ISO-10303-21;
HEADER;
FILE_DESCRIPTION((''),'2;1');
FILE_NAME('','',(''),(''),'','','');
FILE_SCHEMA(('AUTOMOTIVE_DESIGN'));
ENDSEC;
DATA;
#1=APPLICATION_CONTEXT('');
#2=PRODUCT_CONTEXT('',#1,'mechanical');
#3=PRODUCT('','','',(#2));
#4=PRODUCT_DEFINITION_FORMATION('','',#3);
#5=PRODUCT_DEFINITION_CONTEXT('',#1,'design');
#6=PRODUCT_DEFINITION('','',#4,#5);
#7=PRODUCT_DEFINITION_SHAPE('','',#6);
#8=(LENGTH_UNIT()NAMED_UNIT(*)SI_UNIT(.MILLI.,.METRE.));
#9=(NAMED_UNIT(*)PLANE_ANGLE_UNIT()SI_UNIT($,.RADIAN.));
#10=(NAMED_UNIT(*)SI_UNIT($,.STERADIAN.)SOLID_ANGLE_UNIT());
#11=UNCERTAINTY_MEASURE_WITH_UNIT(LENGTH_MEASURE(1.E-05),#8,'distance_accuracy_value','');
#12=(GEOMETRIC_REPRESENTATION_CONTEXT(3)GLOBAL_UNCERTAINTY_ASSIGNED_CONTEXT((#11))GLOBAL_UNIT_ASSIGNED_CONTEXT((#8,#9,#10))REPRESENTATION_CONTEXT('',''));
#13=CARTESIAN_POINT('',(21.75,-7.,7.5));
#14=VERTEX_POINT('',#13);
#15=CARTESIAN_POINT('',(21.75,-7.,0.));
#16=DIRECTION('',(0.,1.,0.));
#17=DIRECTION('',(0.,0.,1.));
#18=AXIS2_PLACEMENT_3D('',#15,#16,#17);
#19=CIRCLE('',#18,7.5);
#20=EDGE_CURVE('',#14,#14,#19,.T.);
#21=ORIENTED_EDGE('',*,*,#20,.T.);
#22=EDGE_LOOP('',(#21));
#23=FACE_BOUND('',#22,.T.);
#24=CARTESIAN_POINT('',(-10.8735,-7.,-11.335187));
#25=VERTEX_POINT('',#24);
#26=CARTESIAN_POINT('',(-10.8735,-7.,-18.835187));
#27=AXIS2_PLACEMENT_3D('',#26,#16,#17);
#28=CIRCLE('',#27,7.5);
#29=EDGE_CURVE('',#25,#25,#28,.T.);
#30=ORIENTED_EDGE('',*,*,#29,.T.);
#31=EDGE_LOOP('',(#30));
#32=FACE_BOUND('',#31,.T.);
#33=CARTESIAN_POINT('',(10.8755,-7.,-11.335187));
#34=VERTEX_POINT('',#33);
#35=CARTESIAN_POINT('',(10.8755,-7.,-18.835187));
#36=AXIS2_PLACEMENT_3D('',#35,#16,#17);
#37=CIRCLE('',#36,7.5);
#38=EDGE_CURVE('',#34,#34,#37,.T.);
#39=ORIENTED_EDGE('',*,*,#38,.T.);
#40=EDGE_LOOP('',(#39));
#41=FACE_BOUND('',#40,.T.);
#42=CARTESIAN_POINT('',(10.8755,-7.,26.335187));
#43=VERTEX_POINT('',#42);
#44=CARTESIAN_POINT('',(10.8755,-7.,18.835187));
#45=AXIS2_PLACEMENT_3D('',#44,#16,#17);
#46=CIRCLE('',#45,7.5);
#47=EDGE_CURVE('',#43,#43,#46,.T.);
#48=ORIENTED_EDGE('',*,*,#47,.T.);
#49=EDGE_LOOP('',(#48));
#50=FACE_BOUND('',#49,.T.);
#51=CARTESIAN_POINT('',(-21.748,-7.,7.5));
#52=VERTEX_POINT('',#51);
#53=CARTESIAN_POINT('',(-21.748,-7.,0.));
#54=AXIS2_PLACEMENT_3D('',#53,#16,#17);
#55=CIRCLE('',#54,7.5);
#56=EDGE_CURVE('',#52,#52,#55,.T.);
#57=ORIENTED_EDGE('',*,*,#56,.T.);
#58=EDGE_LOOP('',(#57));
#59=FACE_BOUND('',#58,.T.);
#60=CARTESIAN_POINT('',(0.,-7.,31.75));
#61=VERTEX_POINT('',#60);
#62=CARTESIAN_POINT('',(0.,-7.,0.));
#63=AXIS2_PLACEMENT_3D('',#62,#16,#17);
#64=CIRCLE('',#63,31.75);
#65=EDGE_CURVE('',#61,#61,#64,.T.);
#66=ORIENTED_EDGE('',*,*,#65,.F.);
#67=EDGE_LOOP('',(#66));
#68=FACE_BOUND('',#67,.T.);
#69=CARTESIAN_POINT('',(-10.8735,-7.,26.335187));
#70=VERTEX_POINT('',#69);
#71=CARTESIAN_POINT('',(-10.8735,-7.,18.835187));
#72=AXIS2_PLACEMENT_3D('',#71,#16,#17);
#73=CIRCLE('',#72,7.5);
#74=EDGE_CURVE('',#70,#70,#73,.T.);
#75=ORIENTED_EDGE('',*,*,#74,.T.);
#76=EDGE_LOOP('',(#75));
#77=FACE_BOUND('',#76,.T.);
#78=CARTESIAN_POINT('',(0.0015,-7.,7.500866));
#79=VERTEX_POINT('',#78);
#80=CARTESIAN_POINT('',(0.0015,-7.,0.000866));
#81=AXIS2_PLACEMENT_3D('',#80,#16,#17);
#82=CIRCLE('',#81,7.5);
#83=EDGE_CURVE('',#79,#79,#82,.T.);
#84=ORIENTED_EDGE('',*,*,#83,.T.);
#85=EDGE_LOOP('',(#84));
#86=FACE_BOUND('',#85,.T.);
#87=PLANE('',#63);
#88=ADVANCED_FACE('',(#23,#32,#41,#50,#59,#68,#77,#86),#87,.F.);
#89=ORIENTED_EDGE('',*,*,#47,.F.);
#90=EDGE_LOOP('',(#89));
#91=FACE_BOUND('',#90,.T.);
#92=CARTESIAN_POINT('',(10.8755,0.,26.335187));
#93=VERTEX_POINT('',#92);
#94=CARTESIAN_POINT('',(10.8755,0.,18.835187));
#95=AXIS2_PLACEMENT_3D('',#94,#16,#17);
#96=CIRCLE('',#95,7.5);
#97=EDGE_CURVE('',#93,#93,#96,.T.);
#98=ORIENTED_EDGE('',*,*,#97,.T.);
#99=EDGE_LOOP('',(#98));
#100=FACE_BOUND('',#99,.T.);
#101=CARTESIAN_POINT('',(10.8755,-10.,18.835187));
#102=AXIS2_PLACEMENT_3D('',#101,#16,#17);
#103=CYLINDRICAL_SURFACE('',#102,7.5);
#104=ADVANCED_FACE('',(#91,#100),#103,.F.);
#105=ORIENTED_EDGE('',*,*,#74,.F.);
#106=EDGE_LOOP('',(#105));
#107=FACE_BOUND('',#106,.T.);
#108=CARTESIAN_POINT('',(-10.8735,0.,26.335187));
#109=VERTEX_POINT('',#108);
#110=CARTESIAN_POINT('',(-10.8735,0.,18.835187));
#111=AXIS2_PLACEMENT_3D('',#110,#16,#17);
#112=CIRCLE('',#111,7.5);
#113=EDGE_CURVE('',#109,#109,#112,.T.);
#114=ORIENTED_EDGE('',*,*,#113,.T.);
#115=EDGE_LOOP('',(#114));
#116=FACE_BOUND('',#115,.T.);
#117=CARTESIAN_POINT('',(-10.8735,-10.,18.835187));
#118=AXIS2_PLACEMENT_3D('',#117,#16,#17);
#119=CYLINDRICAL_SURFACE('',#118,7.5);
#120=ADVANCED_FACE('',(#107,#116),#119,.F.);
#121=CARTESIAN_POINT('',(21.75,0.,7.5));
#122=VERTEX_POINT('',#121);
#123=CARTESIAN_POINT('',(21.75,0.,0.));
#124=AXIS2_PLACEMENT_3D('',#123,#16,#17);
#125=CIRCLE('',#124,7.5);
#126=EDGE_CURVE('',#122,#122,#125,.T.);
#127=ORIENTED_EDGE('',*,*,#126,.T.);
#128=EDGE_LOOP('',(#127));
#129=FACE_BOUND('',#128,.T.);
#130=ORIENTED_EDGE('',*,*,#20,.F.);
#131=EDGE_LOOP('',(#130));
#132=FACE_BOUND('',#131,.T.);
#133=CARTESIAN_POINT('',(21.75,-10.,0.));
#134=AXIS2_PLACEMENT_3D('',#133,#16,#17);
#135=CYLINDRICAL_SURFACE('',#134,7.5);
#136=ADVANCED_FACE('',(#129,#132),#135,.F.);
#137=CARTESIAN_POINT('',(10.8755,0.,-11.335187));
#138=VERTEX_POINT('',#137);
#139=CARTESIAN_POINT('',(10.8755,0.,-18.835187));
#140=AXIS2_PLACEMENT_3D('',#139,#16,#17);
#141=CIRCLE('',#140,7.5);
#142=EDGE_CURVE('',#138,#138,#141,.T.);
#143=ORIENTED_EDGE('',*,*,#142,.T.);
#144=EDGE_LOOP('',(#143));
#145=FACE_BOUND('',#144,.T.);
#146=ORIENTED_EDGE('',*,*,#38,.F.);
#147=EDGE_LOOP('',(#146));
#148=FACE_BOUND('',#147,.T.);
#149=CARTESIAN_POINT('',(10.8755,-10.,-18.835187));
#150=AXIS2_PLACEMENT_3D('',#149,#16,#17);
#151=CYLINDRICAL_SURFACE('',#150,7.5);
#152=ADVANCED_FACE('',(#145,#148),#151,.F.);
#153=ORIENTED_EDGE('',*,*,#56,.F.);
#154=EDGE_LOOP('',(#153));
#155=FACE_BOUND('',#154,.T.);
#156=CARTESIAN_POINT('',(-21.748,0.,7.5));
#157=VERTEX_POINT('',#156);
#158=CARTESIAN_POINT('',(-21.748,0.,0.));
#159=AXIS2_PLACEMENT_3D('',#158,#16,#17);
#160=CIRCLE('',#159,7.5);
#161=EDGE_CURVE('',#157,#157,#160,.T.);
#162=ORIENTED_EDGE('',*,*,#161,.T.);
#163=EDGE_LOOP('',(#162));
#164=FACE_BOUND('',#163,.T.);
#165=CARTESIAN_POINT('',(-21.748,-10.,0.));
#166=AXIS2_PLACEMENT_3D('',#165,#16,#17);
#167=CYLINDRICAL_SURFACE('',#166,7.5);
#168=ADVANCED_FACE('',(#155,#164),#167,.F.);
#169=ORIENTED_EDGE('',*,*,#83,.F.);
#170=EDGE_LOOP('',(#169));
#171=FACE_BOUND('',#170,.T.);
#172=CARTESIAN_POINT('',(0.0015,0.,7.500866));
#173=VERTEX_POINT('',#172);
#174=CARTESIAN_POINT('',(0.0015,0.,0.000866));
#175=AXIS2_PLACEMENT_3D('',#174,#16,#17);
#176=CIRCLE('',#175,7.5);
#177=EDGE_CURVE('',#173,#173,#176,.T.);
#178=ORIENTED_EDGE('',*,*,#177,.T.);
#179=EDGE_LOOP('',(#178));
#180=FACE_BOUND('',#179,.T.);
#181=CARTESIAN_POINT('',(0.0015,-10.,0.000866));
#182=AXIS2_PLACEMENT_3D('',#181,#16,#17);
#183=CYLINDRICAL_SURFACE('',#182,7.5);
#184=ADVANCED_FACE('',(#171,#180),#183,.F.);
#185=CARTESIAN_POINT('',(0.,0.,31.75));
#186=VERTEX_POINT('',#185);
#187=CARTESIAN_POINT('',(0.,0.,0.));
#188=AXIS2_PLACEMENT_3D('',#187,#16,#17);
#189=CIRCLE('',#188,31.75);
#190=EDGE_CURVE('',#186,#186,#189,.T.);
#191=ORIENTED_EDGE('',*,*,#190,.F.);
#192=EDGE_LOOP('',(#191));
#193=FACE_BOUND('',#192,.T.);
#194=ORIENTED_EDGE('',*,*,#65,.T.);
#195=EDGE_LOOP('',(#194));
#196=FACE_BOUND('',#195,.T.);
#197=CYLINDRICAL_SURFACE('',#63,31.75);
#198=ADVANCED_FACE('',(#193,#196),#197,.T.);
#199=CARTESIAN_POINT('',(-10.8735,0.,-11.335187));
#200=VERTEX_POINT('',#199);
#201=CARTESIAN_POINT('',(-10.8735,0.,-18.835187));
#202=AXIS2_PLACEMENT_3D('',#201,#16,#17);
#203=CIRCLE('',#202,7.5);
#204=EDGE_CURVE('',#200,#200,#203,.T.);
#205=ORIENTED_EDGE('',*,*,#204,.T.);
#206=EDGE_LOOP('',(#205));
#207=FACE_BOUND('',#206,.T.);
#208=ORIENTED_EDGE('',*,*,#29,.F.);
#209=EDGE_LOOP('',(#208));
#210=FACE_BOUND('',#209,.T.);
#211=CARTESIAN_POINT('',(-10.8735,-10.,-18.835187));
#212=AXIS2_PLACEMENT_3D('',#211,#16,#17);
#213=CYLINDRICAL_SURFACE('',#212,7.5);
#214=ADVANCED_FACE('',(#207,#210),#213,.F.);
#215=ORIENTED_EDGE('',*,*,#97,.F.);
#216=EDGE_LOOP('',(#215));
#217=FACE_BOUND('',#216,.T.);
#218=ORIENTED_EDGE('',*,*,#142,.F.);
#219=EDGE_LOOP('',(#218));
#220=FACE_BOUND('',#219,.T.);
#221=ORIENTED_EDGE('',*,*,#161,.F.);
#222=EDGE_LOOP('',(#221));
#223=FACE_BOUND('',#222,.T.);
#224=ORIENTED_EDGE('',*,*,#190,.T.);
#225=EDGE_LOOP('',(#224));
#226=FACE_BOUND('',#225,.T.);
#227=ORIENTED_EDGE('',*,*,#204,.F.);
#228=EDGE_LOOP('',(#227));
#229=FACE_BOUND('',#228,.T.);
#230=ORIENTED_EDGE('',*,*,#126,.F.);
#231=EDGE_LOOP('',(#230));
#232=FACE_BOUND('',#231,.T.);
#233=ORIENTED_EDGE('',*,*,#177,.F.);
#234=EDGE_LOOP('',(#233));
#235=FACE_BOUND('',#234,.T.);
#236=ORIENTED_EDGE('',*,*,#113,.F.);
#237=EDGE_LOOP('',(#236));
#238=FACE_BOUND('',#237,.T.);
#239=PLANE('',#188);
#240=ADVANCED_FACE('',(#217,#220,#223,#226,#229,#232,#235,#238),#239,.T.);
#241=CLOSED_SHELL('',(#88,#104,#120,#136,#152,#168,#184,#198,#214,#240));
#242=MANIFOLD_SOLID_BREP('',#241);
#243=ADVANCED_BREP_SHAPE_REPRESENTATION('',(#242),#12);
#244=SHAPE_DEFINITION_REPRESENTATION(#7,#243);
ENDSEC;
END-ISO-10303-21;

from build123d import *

# Parameters (mm, degrees)
ESBO_O1_R                = 31.75
RESSALTO_EXTRUS_O1_DEPTH = 7
ESBO_O2_R                = 7.5
CORTE_EXTRUS_O1_DEPTH    = 10


with BuildPart() as part:
    # Esboço1 → Ressalto-extrusão1 (new body)
    with BuildSketch(Plane(origin=(0, 0, 0), x_dir=(1, 0, 0), z_dir=(0, 1, 0))):
        with Locations(Location((0, 0, 0), (0, 0, 270))):
            Circle(ESBO_O1_R)
    extrude(amount=-RESSALTO_EXTRUS_O1_DEPTH)

    # Esboço2 → Corte-extrusão1 (cut)
    with BuildSketch(Plane(origin=(0, 0, 0), x_dir=(1, 0, 0), z_dir=(0, 1, 0))):
        with Locations(Location((21.75, 0, 0), (0, 0, 270))):
            Circle(ESBO_O2_R)
        with Locations(Location((10.8755, -18.835186507, 0), (0, 0, 270))):
            Circle(ESBO_O2_R)
        with Locations(Location((-10.8735, -18.835186507, 0), (0, 0, 270))):
            Circle(ESBO_O2_R)
        with Locations(Location((-21.748, 0, 0), (0, 0, 270))):
            Circle(ESBO_O2_R)
        with Locations(Location((0.0015, -0.000866025, 0), (0, 0, 270))):
            Circle(ESBO_O2_R)
        with Locations(Location((-10.8735, 18.835186507, 0), (0, 0, 270))):
            Circle(ESBO_O2_R)
        with Locations(Location((10.8755, 18.835186507, 0), (0, 0, 270))):
            Circle(ESBO_O2_R)
    extrude(amount=-CORTE_EXTRUS_O1_DEPTH, mode=Mode.SUBTRACT)


solid = part.part
